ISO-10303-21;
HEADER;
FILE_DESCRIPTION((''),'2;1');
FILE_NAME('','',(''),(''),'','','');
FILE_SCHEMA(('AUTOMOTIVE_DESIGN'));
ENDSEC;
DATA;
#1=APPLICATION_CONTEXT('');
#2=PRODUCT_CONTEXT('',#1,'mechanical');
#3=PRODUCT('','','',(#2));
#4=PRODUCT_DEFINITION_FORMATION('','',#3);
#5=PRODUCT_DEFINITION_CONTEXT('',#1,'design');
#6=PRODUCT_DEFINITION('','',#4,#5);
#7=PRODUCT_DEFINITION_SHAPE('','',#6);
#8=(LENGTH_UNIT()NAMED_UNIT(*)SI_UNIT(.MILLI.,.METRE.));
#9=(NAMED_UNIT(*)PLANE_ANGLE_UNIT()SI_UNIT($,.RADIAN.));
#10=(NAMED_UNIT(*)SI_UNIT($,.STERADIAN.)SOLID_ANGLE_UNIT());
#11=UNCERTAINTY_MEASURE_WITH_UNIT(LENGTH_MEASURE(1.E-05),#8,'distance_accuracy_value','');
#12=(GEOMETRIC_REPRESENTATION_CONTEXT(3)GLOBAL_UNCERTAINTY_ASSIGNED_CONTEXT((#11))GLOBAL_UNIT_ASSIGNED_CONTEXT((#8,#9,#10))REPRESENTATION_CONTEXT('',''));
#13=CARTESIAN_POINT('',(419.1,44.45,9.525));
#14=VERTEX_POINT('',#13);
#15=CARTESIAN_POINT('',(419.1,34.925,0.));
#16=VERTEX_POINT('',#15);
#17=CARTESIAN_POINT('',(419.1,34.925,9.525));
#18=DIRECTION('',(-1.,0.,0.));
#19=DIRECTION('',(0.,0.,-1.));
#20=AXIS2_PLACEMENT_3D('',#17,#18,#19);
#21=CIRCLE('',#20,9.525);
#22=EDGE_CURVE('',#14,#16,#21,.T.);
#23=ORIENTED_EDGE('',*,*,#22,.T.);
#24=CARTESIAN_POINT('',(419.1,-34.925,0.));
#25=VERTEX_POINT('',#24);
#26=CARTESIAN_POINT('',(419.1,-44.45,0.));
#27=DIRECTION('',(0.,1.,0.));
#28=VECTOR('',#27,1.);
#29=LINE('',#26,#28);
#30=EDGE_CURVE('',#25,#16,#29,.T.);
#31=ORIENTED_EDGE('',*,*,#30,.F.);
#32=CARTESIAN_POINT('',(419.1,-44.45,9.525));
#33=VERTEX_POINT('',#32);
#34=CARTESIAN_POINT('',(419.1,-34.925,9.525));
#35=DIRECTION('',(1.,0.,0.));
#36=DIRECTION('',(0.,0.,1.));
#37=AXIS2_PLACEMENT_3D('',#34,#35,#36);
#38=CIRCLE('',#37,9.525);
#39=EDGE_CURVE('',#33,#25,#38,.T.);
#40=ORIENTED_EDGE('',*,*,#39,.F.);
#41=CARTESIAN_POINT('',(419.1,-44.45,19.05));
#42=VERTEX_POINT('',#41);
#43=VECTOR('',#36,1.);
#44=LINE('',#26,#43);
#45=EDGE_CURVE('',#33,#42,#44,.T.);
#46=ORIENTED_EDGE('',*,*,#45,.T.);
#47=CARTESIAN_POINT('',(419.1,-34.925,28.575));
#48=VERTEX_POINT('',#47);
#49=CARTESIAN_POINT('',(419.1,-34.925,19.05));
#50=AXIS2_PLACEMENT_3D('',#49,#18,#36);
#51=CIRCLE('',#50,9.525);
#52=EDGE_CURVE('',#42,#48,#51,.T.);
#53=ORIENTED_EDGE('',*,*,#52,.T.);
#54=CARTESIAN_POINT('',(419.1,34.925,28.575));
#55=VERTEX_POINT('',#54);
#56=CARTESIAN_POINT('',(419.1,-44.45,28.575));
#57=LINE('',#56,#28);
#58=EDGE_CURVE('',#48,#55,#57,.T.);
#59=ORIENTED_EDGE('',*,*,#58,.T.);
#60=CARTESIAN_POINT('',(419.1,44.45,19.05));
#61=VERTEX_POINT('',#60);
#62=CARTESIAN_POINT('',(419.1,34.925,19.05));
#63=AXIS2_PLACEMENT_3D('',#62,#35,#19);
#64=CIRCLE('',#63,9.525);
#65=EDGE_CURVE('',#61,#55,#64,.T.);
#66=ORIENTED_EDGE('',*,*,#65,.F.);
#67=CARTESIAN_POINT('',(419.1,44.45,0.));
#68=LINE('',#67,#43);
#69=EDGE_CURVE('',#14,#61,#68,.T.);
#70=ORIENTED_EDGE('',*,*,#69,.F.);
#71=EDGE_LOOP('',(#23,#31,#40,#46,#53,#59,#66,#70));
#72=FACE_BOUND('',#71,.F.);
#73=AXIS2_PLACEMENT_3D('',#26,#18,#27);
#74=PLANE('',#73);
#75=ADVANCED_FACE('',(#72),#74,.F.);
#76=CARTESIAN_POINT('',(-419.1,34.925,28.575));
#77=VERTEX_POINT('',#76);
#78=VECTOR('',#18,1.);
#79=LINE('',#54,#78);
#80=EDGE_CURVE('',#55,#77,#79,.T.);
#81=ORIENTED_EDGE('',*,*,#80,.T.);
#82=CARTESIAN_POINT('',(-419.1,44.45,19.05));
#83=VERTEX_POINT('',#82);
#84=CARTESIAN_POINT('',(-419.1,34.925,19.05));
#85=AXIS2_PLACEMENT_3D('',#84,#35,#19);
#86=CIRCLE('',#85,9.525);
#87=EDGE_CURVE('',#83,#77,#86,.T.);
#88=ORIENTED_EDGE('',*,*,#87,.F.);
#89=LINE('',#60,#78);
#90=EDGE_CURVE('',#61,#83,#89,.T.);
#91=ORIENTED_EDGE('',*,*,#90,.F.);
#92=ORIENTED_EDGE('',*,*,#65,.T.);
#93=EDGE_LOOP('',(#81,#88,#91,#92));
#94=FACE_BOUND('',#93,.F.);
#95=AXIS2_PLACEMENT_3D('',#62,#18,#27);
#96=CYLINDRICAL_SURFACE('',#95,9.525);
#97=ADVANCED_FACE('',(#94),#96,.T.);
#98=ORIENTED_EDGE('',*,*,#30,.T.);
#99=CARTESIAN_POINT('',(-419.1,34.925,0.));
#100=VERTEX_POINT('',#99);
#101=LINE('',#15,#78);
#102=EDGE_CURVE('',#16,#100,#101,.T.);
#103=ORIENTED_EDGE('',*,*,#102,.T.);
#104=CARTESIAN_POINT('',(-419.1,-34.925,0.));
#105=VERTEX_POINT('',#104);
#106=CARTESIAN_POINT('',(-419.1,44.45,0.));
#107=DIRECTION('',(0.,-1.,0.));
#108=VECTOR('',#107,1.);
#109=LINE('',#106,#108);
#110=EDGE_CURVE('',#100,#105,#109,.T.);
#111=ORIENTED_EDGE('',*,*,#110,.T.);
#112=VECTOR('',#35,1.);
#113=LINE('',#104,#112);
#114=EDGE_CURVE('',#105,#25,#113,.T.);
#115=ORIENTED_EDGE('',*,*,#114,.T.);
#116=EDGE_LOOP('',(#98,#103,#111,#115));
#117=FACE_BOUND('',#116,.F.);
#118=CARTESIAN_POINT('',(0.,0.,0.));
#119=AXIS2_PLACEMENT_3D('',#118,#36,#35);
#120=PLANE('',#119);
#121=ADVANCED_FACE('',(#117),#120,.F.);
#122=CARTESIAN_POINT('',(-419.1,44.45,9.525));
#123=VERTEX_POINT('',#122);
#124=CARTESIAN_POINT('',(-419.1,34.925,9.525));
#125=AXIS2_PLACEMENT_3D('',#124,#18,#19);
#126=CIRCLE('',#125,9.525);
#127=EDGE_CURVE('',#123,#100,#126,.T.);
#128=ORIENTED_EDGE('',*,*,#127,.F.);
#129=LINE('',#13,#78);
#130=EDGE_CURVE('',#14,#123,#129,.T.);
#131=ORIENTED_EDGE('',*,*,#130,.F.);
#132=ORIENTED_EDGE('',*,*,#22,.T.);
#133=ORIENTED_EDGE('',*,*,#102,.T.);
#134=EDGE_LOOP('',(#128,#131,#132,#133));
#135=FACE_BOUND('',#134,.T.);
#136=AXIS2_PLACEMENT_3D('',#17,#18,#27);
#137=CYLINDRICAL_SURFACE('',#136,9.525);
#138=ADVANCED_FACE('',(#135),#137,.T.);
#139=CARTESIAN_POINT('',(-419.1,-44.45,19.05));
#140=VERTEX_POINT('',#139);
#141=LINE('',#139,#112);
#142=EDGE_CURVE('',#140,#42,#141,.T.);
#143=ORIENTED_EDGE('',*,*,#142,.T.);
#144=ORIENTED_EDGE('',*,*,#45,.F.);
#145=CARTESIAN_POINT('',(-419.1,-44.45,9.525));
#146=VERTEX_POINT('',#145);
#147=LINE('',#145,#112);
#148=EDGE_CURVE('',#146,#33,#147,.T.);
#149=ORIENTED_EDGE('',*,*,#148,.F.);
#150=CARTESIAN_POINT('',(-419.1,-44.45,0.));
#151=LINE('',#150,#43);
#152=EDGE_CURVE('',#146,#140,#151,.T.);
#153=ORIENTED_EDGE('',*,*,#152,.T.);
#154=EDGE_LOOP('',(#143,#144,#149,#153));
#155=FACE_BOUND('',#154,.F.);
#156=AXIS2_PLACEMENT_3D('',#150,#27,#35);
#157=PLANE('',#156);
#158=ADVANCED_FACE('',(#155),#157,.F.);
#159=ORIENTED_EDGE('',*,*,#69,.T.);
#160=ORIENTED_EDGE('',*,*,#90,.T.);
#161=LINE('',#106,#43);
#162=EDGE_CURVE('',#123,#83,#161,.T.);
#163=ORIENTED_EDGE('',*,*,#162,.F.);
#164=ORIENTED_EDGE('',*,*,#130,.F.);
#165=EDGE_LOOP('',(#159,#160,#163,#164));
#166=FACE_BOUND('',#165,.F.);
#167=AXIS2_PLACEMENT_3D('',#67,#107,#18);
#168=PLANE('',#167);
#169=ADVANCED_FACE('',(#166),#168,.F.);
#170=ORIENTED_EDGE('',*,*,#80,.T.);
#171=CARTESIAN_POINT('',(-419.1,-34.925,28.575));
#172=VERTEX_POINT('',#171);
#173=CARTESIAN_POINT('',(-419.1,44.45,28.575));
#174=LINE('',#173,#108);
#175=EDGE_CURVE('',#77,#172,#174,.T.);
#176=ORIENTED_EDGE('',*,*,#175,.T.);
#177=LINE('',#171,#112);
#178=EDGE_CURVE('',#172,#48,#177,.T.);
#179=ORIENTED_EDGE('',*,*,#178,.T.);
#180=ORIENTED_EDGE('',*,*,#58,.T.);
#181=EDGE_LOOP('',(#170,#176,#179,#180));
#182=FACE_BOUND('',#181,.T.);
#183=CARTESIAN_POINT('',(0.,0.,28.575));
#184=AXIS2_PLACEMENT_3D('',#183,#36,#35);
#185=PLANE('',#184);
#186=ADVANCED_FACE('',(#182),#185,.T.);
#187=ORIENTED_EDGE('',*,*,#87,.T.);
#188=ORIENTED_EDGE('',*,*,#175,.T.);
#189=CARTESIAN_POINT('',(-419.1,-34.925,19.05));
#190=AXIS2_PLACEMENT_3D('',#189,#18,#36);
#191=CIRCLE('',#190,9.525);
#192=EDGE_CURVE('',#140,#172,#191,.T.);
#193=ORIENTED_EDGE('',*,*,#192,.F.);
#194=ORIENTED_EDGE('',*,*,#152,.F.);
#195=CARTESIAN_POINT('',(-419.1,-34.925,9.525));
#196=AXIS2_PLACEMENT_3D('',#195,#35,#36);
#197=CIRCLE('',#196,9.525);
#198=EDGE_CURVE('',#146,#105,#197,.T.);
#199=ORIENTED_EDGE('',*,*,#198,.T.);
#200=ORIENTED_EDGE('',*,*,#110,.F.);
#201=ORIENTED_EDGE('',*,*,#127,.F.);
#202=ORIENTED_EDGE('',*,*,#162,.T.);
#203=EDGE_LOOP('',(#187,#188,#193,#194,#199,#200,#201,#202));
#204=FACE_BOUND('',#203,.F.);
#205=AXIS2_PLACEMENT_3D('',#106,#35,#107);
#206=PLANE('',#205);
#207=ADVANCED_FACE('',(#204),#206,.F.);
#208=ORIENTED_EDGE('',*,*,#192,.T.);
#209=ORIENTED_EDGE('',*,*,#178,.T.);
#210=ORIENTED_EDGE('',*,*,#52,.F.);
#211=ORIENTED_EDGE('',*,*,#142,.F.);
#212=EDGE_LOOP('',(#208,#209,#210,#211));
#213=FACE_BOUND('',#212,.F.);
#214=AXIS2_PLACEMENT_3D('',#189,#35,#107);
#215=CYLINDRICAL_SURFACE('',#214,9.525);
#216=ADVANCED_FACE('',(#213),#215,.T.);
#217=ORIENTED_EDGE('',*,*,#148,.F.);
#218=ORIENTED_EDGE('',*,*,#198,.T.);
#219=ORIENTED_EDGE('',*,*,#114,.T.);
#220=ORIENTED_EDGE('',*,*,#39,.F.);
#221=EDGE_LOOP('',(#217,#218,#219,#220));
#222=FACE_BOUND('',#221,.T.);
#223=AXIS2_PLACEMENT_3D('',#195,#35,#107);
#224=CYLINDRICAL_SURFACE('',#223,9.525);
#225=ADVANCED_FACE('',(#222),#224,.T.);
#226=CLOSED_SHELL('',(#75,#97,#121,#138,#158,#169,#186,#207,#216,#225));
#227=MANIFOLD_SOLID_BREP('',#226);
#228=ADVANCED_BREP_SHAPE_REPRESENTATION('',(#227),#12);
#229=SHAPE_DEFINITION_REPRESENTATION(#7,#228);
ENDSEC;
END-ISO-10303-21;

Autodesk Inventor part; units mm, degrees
ref_plane "YZ Plane" through (0, 0, 0) normal (1, 0, 0) x (0, 1, 0)
ref_plane "XZ Plane" through (0, 0, 0) normal (0, 1, 0) x (-1, 0, 0)
ref_plane "XY Plane" through (0, 0, 0) normal (0, 0, 1) x (1, 0, 0)
sketch "Sketch1" plane through (0, 0, 0) normal (0, 0, 1) x (1, 0, 0)
  line L0 (-419.1, -44.45) -> (419.1, -44.45)
  line L1 (419.1, -44.45) -> (419.1, 44.45)
  line L2 (419.1, 44.45) -> (-419.1, 44.45)
  line L3 (-419.1, 44.45) -> (-419.1, -44.45)
  line L4 (-419.1, -44.45) -> (419.1, 44.45) construction
  line L5 (419.1, -44.45) -> (-419.1, 44.45) construction
  point P0 (0, 0)
  dimension "d0" = 838.2
  dimension "d1" = 88.9
extrude "Extrusion1" add sketch "Sketch1" along normal blind 28.575
fillet "Fillet1" radius 9.525 4 edges at (0, 44.45, 28.575) (0, 44.45, 0) (0, -44.45, 0) (0, -44.45, 28.575)
properties part number "SideShort"
